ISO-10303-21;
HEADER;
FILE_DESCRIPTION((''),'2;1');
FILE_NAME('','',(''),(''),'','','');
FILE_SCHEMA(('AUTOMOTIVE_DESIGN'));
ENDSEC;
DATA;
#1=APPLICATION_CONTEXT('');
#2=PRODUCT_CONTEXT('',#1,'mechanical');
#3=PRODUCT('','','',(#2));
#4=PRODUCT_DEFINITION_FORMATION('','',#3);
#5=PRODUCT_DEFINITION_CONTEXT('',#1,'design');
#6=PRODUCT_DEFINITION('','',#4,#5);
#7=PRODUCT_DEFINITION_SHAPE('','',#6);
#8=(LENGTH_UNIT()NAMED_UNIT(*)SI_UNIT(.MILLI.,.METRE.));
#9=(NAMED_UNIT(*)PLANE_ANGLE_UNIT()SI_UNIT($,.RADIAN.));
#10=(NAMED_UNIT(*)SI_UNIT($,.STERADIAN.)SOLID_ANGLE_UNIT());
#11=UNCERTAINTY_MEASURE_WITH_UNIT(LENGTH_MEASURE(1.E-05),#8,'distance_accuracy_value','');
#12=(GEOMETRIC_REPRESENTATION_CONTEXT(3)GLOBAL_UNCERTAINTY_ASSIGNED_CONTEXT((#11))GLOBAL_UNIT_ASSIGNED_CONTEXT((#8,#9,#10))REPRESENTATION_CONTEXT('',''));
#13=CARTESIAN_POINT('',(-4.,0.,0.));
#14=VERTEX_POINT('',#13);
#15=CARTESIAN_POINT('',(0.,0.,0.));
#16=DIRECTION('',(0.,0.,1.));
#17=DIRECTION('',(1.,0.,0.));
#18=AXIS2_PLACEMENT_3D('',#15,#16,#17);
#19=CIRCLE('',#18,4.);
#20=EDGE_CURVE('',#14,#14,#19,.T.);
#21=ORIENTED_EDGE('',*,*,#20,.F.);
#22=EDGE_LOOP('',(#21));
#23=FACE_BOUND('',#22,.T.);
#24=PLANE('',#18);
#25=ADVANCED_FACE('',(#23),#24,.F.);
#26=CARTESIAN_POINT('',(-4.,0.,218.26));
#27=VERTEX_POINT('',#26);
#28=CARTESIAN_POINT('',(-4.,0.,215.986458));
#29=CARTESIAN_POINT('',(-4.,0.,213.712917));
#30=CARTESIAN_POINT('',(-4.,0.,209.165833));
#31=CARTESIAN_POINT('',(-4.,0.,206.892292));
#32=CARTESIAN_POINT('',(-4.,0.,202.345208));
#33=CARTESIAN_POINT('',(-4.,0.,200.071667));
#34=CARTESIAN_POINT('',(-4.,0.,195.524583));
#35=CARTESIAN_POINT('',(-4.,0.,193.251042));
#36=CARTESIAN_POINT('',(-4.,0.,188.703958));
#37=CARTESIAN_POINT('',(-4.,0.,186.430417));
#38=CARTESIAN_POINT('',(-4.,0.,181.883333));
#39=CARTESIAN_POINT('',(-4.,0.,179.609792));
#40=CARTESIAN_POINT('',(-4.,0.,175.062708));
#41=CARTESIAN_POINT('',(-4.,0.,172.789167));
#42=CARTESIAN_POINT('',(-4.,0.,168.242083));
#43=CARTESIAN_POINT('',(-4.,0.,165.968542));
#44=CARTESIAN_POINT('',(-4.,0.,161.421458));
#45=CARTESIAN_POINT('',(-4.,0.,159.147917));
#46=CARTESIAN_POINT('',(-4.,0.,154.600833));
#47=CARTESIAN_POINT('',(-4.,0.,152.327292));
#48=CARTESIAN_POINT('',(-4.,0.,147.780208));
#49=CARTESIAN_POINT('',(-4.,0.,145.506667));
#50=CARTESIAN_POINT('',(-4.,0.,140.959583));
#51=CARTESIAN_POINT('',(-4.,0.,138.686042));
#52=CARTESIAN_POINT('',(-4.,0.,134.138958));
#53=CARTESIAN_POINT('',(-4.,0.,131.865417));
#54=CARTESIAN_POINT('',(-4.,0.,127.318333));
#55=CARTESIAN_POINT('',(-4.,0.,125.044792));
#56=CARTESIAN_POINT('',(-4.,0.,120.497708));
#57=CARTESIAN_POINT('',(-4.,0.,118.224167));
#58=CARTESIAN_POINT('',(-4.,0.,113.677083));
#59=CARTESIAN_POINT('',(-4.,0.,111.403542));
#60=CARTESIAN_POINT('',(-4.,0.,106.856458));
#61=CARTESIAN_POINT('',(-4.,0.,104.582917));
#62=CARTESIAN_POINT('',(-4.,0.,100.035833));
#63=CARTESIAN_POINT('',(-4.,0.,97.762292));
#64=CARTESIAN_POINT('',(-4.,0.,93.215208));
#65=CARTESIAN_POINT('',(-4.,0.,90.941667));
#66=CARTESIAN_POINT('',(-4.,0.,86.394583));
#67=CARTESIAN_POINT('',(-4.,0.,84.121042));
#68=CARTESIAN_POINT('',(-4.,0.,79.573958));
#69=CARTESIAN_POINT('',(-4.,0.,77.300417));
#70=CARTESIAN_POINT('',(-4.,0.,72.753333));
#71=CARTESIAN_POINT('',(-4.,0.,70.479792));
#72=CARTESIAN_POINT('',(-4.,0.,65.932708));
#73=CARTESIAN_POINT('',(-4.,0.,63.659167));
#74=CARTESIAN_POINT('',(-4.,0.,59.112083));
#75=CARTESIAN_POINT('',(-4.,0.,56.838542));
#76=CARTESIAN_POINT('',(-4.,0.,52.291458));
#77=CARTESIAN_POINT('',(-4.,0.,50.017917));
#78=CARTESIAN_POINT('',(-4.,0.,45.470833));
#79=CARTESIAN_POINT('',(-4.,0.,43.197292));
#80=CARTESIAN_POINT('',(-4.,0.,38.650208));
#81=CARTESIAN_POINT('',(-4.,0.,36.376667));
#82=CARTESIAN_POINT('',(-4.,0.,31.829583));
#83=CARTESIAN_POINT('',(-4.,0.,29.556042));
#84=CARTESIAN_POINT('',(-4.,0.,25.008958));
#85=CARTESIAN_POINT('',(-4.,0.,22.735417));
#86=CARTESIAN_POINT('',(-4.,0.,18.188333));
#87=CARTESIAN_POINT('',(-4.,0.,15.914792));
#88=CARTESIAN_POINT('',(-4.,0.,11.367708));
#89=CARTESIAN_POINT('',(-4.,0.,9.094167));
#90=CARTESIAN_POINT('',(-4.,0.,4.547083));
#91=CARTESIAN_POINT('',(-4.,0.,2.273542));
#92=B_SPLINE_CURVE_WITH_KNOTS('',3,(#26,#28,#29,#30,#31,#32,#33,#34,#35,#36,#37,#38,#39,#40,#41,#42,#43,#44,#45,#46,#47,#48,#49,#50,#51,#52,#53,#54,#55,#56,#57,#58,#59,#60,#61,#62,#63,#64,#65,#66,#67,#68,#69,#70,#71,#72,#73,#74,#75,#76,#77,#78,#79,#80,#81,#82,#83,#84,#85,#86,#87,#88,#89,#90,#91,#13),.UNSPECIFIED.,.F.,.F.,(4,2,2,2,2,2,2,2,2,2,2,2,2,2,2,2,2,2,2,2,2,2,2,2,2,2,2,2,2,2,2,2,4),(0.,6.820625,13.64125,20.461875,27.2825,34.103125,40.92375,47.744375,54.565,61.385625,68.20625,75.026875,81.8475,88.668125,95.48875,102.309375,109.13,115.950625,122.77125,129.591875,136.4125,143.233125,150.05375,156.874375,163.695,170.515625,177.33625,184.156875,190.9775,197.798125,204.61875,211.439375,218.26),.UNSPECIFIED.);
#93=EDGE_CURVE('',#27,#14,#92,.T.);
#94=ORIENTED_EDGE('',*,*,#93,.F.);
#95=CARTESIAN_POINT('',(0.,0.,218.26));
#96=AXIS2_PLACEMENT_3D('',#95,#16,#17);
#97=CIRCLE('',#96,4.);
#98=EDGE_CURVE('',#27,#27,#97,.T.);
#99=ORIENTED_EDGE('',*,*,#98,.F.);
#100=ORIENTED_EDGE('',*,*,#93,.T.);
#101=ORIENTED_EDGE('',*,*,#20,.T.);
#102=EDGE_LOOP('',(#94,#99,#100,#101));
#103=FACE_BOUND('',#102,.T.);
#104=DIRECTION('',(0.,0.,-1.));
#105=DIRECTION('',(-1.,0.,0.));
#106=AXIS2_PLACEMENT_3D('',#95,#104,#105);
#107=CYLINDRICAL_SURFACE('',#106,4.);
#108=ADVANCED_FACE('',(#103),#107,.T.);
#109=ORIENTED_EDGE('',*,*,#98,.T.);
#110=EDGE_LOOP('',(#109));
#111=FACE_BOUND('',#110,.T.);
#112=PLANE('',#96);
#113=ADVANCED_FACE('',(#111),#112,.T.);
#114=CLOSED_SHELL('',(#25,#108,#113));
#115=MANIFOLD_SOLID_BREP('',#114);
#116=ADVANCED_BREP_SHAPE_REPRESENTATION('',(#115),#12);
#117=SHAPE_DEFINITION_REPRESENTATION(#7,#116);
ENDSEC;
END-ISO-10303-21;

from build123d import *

# Parameters (mm, degrees)
ESQUISSE1_R        = 4
BOSS_EXTRU_1_DEPTH = 218.26


with BuildPart() as part:
    # Esquisse1 → Boss.-Extru.1 (new body)
    with BuildSketch(Plane.XY):
        with Locations(Location((0, 0, 0), (0, 0, 180))):
            Circle(ESQUISSE1_R)
    extrude(amount=BOSS_EXTRU_1_DEPTH)


solid = part.part
